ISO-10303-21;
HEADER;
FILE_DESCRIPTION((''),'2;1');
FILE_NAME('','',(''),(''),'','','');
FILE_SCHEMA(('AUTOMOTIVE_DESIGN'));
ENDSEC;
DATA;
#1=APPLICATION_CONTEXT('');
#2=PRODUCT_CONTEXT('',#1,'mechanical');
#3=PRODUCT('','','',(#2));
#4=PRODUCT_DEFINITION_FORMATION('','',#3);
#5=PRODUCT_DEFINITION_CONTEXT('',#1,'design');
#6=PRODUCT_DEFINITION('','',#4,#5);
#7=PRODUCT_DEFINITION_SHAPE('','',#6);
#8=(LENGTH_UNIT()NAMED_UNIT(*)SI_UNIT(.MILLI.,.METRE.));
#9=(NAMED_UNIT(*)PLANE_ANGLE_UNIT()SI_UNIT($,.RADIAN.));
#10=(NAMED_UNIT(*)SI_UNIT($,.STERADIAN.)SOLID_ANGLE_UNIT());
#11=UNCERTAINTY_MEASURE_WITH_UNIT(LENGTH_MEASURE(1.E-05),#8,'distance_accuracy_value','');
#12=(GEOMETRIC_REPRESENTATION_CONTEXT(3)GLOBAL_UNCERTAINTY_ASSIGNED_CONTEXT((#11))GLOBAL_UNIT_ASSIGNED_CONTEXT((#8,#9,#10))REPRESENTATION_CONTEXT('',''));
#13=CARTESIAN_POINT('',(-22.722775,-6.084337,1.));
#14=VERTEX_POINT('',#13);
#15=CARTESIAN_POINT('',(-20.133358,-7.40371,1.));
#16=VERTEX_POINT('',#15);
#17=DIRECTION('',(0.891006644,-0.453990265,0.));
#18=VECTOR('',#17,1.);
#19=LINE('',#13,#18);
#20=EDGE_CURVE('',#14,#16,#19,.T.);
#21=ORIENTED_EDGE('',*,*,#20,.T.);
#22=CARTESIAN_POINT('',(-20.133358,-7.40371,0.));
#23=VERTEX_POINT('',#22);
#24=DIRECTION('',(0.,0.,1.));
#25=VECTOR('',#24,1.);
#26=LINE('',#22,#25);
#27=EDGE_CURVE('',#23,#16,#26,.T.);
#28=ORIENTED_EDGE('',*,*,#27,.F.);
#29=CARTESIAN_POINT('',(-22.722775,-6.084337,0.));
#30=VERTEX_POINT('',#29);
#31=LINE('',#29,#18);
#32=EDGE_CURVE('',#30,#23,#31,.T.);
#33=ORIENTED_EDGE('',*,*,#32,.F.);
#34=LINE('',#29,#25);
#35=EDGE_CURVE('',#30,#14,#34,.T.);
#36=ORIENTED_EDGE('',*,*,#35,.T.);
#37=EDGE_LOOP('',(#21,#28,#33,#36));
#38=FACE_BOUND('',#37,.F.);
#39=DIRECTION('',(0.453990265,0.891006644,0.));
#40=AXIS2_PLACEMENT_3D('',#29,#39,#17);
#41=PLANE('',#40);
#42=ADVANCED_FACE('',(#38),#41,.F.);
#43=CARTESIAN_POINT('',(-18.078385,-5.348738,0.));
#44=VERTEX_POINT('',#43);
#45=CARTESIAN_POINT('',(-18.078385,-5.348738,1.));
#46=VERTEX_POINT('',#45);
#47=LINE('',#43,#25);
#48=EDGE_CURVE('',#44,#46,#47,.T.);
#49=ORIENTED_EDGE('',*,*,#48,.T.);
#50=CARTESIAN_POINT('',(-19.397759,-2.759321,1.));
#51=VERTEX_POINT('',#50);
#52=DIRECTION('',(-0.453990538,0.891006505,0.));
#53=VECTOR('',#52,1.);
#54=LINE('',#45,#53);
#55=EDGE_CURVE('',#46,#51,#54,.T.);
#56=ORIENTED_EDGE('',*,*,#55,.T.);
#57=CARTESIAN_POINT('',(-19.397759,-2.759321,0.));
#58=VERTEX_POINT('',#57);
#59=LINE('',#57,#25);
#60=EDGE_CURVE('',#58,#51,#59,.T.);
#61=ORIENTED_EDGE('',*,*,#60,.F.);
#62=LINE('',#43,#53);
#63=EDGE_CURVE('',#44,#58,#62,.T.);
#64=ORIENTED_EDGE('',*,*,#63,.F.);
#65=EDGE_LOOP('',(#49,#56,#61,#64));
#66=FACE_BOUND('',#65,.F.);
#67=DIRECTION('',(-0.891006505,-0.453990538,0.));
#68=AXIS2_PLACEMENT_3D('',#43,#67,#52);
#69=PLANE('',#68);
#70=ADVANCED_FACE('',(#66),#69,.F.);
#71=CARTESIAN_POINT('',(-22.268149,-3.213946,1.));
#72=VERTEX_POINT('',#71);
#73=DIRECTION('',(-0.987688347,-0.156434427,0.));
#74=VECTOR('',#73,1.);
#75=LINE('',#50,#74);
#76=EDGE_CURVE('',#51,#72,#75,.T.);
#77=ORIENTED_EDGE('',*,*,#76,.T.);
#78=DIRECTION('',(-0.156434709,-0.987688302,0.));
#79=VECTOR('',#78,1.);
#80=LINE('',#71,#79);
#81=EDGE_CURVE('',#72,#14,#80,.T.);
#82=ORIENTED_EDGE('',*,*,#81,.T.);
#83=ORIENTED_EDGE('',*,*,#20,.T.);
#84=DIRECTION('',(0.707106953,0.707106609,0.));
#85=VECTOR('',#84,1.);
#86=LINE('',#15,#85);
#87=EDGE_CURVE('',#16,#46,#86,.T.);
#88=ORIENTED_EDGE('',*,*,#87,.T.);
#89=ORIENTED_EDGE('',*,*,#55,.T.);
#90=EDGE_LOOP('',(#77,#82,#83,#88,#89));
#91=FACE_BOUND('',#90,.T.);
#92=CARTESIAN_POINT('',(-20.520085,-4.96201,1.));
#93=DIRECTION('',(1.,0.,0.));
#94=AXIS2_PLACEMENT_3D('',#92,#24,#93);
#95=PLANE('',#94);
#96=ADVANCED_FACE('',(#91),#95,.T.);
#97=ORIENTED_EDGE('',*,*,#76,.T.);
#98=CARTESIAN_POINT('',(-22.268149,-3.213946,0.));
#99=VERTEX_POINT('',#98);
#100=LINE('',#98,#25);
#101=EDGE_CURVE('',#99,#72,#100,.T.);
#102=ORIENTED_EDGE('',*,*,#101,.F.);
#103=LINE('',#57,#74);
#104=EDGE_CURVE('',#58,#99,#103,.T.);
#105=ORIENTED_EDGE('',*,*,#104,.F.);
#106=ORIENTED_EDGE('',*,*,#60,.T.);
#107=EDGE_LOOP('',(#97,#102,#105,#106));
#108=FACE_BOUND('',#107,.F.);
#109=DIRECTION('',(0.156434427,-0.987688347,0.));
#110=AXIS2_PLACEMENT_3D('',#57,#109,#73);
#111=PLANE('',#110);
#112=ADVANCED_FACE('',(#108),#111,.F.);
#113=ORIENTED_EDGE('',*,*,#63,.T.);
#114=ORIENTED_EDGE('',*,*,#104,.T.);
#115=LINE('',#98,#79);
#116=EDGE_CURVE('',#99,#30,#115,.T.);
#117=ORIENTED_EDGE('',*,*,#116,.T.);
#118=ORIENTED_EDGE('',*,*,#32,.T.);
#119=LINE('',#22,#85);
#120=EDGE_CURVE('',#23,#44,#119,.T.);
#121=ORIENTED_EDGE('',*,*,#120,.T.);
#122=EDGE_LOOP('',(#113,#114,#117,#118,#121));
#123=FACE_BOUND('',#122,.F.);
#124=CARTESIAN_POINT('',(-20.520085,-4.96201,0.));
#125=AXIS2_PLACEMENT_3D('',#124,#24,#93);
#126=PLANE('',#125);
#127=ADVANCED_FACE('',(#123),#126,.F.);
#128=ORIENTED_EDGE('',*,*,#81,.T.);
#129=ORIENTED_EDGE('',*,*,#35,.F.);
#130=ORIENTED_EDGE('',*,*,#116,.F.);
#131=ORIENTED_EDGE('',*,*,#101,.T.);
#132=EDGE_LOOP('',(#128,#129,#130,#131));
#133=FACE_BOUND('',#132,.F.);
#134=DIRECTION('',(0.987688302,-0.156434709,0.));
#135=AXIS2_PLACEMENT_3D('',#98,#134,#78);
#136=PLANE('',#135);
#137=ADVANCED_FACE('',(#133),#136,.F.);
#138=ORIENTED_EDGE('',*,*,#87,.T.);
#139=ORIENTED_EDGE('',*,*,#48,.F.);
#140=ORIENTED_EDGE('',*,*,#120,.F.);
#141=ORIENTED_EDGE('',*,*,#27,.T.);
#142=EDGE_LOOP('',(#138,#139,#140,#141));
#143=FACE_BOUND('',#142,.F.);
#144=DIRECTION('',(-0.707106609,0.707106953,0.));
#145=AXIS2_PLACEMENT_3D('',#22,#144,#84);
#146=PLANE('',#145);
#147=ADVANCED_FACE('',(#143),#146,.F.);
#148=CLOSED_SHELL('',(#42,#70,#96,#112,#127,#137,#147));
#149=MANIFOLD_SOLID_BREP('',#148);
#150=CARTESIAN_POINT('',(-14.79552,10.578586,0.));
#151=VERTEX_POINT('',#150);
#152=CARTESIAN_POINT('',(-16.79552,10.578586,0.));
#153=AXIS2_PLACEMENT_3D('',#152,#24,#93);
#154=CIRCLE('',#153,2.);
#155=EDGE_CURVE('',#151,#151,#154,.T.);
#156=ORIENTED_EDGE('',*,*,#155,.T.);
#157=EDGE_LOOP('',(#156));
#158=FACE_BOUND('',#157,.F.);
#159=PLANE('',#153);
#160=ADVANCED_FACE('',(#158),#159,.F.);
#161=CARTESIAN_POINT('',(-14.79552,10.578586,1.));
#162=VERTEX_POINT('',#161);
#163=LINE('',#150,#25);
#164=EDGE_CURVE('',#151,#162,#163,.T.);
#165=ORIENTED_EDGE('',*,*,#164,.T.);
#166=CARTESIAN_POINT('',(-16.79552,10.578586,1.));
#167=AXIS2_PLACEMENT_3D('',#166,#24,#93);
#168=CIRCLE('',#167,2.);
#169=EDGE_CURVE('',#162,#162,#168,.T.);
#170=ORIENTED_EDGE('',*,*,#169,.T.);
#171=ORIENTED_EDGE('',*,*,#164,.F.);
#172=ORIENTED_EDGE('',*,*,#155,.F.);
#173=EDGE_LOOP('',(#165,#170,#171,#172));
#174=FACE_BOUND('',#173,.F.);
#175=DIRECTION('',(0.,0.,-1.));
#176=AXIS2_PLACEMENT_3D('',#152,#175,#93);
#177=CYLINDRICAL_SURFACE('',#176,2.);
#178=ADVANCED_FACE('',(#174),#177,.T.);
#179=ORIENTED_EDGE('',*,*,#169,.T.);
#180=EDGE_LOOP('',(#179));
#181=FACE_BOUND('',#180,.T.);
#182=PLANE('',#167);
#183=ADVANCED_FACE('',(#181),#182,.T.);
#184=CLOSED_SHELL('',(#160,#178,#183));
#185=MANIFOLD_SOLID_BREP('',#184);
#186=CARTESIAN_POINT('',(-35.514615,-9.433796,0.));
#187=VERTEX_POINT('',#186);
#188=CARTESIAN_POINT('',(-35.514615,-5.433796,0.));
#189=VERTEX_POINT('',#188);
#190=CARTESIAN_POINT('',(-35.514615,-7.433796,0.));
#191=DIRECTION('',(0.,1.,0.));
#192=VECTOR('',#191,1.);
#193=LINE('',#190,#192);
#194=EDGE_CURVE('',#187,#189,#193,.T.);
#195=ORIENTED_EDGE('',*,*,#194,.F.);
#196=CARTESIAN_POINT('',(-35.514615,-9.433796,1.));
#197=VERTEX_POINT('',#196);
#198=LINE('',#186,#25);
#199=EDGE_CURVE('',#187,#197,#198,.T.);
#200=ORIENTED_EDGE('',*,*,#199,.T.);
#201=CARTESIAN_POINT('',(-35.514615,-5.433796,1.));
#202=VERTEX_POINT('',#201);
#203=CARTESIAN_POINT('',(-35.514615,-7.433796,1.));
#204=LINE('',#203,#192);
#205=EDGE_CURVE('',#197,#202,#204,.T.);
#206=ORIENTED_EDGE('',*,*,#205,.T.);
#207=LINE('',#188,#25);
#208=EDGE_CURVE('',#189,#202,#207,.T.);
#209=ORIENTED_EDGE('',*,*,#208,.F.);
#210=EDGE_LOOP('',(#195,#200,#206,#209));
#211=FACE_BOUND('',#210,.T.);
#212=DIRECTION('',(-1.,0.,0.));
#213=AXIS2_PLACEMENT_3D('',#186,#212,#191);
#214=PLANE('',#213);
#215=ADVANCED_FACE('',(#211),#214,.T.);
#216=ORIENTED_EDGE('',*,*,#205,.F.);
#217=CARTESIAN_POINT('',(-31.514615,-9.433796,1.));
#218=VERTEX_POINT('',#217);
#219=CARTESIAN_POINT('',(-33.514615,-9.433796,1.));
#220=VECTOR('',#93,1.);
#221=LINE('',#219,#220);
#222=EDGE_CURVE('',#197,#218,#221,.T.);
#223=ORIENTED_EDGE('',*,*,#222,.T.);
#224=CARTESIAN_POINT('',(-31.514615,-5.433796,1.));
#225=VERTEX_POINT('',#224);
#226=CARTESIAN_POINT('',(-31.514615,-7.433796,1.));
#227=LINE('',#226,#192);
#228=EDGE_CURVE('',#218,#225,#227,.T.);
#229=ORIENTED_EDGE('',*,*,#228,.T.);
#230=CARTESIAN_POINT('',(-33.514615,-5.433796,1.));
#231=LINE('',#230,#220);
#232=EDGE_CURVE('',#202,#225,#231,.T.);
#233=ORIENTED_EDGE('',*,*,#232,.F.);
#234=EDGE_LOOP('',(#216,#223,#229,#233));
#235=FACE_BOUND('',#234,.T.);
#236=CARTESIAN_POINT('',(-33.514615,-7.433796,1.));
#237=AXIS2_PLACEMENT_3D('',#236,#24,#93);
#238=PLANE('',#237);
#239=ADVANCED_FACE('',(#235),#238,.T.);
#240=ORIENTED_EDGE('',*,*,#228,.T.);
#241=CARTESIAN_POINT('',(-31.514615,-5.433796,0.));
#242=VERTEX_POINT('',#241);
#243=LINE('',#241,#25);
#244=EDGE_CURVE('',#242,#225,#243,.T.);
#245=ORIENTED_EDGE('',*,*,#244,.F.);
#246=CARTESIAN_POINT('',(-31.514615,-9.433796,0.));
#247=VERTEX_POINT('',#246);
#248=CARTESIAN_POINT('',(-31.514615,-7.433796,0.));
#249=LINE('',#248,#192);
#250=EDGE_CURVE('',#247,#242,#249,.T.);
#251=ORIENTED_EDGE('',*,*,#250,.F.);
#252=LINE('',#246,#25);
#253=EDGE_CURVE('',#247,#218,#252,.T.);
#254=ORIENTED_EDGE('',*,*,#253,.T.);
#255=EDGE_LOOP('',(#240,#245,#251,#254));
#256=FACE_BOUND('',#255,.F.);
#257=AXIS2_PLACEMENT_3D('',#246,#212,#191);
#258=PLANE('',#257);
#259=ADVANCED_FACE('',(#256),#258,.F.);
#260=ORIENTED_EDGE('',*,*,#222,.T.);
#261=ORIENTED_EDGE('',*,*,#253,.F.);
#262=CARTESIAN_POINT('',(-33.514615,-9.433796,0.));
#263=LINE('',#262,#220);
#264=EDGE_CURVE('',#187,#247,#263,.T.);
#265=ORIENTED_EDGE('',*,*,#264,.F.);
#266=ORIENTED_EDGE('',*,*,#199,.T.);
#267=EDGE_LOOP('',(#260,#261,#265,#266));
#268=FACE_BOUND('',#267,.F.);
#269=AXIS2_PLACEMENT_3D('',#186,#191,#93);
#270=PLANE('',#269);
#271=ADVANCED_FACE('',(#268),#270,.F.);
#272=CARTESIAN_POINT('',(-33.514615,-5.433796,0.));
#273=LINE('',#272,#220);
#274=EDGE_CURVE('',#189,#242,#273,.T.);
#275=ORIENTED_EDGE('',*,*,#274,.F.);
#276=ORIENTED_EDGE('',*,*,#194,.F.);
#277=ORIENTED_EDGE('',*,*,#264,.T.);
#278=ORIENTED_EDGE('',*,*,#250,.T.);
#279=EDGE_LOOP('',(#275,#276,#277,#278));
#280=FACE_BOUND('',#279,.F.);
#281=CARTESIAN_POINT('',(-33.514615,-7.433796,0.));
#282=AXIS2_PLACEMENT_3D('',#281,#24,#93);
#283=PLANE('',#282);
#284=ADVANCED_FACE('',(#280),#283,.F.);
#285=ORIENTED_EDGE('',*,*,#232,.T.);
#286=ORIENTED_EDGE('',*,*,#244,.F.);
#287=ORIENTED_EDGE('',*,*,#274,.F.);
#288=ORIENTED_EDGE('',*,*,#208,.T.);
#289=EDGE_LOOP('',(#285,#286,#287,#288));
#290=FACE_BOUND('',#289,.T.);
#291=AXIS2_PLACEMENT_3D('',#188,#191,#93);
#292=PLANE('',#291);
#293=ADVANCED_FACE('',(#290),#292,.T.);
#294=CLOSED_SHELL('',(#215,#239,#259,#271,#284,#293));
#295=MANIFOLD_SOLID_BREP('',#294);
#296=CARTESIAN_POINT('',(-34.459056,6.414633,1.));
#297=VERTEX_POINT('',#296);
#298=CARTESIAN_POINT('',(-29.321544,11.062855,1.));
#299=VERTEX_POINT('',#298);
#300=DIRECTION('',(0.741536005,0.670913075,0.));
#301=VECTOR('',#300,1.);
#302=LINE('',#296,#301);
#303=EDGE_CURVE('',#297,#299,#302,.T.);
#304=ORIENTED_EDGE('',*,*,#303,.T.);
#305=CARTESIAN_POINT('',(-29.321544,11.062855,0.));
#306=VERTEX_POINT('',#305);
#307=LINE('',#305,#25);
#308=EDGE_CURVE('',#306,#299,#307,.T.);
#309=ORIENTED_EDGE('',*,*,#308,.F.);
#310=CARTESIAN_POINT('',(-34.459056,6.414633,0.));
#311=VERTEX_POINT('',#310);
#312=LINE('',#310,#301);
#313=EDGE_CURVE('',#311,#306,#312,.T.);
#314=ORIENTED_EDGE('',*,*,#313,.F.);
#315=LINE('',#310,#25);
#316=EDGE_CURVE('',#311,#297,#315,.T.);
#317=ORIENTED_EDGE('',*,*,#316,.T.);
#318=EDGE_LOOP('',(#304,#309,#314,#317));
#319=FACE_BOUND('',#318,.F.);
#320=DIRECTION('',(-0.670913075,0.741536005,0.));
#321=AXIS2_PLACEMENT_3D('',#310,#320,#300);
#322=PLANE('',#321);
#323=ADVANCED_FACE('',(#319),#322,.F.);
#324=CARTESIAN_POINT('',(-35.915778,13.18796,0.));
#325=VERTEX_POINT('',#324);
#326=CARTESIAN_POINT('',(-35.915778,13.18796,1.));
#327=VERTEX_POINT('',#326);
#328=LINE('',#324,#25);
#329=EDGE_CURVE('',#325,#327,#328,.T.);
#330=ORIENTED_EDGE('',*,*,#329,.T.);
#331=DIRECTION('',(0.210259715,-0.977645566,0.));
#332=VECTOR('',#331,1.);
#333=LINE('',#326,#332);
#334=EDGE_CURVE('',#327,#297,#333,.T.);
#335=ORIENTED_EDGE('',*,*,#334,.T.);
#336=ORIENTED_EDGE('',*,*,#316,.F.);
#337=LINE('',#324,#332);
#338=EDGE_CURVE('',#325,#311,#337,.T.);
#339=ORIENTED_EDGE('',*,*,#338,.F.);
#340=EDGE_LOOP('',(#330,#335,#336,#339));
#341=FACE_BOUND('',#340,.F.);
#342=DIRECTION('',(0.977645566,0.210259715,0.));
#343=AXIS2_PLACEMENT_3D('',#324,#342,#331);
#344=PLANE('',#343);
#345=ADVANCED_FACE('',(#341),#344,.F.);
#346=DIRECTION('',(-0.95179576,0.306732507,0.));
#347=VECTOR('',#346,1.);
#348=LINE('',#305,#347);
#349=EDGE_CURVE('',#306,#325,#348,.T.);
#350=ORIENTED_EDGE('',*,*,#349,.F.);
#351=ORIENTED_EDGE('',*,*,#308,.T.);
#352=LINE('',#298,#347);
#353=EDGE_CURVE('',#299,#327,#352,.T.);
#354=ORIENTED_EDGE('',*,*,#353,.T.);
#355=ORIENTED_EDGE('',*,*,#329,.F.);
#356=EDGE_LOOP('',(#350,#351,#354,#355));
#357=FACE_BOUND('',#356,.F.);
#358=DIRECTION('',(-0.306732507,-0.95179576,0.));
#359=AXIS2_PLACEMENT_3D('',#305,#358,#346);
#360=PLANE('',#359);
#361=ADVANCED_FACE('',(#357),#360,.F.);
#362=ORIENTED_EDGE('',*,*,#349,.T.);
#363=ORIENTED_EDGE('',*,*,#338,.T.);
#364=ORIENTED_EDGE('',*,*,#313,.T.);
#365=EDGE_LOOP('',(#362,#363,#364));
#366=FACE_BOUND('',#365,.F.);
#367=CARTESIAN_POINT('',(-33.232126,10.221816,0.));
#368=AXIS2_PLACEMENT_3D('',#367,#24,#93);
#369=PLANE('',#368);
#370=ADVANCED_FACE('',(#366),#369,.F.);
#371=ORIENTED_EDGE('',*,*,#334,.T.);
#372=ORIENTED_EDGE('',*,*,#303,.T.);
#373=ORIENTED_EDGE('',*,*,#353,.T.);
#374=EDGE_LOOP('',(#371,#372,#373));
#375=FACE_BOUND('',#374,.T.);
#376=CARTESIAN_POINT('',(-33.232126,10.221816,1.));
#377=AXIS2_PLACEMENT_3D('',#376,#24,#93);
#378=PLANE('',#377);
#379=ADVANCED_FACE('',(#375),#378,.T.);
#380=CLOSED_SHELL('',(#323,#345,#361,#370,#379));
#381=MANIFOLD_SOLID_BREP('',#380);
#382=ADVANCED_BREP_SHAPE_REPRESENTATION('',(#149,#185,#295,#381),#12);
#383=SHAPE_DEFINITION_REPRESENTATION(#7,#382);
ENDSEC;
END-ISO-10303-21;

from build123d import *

# Parameters (mm, degrees)
F0_W     = 4
F0_H     = 4
F0_R     = 2
F1_DEPTH = 1


with BuildPart() as f1:
    # F0 (on Top) → F1 (new body)
    with BuildSketch(Plane.XY):
        Polygon((-34.459056, 6.414633), (-29.321544, 11.062855), (-35.915778, 13.18796), align=None)
        with Locations((-33.514615, -7.433796)):
            Rectangle(F0_W, F0_H)
        Polygon((-20.133358, -7.40371), (-18.078385, -5.348738), (-19.397759, -2.759321), (-22.268149, -3.213946), (-22.722775, -6.084337), align=None)
        with Locations((-16.79552, 10.578586)):
            Circle(F0_R)
    extrude(amount=F1_DEPTH)


solid = f1.part
